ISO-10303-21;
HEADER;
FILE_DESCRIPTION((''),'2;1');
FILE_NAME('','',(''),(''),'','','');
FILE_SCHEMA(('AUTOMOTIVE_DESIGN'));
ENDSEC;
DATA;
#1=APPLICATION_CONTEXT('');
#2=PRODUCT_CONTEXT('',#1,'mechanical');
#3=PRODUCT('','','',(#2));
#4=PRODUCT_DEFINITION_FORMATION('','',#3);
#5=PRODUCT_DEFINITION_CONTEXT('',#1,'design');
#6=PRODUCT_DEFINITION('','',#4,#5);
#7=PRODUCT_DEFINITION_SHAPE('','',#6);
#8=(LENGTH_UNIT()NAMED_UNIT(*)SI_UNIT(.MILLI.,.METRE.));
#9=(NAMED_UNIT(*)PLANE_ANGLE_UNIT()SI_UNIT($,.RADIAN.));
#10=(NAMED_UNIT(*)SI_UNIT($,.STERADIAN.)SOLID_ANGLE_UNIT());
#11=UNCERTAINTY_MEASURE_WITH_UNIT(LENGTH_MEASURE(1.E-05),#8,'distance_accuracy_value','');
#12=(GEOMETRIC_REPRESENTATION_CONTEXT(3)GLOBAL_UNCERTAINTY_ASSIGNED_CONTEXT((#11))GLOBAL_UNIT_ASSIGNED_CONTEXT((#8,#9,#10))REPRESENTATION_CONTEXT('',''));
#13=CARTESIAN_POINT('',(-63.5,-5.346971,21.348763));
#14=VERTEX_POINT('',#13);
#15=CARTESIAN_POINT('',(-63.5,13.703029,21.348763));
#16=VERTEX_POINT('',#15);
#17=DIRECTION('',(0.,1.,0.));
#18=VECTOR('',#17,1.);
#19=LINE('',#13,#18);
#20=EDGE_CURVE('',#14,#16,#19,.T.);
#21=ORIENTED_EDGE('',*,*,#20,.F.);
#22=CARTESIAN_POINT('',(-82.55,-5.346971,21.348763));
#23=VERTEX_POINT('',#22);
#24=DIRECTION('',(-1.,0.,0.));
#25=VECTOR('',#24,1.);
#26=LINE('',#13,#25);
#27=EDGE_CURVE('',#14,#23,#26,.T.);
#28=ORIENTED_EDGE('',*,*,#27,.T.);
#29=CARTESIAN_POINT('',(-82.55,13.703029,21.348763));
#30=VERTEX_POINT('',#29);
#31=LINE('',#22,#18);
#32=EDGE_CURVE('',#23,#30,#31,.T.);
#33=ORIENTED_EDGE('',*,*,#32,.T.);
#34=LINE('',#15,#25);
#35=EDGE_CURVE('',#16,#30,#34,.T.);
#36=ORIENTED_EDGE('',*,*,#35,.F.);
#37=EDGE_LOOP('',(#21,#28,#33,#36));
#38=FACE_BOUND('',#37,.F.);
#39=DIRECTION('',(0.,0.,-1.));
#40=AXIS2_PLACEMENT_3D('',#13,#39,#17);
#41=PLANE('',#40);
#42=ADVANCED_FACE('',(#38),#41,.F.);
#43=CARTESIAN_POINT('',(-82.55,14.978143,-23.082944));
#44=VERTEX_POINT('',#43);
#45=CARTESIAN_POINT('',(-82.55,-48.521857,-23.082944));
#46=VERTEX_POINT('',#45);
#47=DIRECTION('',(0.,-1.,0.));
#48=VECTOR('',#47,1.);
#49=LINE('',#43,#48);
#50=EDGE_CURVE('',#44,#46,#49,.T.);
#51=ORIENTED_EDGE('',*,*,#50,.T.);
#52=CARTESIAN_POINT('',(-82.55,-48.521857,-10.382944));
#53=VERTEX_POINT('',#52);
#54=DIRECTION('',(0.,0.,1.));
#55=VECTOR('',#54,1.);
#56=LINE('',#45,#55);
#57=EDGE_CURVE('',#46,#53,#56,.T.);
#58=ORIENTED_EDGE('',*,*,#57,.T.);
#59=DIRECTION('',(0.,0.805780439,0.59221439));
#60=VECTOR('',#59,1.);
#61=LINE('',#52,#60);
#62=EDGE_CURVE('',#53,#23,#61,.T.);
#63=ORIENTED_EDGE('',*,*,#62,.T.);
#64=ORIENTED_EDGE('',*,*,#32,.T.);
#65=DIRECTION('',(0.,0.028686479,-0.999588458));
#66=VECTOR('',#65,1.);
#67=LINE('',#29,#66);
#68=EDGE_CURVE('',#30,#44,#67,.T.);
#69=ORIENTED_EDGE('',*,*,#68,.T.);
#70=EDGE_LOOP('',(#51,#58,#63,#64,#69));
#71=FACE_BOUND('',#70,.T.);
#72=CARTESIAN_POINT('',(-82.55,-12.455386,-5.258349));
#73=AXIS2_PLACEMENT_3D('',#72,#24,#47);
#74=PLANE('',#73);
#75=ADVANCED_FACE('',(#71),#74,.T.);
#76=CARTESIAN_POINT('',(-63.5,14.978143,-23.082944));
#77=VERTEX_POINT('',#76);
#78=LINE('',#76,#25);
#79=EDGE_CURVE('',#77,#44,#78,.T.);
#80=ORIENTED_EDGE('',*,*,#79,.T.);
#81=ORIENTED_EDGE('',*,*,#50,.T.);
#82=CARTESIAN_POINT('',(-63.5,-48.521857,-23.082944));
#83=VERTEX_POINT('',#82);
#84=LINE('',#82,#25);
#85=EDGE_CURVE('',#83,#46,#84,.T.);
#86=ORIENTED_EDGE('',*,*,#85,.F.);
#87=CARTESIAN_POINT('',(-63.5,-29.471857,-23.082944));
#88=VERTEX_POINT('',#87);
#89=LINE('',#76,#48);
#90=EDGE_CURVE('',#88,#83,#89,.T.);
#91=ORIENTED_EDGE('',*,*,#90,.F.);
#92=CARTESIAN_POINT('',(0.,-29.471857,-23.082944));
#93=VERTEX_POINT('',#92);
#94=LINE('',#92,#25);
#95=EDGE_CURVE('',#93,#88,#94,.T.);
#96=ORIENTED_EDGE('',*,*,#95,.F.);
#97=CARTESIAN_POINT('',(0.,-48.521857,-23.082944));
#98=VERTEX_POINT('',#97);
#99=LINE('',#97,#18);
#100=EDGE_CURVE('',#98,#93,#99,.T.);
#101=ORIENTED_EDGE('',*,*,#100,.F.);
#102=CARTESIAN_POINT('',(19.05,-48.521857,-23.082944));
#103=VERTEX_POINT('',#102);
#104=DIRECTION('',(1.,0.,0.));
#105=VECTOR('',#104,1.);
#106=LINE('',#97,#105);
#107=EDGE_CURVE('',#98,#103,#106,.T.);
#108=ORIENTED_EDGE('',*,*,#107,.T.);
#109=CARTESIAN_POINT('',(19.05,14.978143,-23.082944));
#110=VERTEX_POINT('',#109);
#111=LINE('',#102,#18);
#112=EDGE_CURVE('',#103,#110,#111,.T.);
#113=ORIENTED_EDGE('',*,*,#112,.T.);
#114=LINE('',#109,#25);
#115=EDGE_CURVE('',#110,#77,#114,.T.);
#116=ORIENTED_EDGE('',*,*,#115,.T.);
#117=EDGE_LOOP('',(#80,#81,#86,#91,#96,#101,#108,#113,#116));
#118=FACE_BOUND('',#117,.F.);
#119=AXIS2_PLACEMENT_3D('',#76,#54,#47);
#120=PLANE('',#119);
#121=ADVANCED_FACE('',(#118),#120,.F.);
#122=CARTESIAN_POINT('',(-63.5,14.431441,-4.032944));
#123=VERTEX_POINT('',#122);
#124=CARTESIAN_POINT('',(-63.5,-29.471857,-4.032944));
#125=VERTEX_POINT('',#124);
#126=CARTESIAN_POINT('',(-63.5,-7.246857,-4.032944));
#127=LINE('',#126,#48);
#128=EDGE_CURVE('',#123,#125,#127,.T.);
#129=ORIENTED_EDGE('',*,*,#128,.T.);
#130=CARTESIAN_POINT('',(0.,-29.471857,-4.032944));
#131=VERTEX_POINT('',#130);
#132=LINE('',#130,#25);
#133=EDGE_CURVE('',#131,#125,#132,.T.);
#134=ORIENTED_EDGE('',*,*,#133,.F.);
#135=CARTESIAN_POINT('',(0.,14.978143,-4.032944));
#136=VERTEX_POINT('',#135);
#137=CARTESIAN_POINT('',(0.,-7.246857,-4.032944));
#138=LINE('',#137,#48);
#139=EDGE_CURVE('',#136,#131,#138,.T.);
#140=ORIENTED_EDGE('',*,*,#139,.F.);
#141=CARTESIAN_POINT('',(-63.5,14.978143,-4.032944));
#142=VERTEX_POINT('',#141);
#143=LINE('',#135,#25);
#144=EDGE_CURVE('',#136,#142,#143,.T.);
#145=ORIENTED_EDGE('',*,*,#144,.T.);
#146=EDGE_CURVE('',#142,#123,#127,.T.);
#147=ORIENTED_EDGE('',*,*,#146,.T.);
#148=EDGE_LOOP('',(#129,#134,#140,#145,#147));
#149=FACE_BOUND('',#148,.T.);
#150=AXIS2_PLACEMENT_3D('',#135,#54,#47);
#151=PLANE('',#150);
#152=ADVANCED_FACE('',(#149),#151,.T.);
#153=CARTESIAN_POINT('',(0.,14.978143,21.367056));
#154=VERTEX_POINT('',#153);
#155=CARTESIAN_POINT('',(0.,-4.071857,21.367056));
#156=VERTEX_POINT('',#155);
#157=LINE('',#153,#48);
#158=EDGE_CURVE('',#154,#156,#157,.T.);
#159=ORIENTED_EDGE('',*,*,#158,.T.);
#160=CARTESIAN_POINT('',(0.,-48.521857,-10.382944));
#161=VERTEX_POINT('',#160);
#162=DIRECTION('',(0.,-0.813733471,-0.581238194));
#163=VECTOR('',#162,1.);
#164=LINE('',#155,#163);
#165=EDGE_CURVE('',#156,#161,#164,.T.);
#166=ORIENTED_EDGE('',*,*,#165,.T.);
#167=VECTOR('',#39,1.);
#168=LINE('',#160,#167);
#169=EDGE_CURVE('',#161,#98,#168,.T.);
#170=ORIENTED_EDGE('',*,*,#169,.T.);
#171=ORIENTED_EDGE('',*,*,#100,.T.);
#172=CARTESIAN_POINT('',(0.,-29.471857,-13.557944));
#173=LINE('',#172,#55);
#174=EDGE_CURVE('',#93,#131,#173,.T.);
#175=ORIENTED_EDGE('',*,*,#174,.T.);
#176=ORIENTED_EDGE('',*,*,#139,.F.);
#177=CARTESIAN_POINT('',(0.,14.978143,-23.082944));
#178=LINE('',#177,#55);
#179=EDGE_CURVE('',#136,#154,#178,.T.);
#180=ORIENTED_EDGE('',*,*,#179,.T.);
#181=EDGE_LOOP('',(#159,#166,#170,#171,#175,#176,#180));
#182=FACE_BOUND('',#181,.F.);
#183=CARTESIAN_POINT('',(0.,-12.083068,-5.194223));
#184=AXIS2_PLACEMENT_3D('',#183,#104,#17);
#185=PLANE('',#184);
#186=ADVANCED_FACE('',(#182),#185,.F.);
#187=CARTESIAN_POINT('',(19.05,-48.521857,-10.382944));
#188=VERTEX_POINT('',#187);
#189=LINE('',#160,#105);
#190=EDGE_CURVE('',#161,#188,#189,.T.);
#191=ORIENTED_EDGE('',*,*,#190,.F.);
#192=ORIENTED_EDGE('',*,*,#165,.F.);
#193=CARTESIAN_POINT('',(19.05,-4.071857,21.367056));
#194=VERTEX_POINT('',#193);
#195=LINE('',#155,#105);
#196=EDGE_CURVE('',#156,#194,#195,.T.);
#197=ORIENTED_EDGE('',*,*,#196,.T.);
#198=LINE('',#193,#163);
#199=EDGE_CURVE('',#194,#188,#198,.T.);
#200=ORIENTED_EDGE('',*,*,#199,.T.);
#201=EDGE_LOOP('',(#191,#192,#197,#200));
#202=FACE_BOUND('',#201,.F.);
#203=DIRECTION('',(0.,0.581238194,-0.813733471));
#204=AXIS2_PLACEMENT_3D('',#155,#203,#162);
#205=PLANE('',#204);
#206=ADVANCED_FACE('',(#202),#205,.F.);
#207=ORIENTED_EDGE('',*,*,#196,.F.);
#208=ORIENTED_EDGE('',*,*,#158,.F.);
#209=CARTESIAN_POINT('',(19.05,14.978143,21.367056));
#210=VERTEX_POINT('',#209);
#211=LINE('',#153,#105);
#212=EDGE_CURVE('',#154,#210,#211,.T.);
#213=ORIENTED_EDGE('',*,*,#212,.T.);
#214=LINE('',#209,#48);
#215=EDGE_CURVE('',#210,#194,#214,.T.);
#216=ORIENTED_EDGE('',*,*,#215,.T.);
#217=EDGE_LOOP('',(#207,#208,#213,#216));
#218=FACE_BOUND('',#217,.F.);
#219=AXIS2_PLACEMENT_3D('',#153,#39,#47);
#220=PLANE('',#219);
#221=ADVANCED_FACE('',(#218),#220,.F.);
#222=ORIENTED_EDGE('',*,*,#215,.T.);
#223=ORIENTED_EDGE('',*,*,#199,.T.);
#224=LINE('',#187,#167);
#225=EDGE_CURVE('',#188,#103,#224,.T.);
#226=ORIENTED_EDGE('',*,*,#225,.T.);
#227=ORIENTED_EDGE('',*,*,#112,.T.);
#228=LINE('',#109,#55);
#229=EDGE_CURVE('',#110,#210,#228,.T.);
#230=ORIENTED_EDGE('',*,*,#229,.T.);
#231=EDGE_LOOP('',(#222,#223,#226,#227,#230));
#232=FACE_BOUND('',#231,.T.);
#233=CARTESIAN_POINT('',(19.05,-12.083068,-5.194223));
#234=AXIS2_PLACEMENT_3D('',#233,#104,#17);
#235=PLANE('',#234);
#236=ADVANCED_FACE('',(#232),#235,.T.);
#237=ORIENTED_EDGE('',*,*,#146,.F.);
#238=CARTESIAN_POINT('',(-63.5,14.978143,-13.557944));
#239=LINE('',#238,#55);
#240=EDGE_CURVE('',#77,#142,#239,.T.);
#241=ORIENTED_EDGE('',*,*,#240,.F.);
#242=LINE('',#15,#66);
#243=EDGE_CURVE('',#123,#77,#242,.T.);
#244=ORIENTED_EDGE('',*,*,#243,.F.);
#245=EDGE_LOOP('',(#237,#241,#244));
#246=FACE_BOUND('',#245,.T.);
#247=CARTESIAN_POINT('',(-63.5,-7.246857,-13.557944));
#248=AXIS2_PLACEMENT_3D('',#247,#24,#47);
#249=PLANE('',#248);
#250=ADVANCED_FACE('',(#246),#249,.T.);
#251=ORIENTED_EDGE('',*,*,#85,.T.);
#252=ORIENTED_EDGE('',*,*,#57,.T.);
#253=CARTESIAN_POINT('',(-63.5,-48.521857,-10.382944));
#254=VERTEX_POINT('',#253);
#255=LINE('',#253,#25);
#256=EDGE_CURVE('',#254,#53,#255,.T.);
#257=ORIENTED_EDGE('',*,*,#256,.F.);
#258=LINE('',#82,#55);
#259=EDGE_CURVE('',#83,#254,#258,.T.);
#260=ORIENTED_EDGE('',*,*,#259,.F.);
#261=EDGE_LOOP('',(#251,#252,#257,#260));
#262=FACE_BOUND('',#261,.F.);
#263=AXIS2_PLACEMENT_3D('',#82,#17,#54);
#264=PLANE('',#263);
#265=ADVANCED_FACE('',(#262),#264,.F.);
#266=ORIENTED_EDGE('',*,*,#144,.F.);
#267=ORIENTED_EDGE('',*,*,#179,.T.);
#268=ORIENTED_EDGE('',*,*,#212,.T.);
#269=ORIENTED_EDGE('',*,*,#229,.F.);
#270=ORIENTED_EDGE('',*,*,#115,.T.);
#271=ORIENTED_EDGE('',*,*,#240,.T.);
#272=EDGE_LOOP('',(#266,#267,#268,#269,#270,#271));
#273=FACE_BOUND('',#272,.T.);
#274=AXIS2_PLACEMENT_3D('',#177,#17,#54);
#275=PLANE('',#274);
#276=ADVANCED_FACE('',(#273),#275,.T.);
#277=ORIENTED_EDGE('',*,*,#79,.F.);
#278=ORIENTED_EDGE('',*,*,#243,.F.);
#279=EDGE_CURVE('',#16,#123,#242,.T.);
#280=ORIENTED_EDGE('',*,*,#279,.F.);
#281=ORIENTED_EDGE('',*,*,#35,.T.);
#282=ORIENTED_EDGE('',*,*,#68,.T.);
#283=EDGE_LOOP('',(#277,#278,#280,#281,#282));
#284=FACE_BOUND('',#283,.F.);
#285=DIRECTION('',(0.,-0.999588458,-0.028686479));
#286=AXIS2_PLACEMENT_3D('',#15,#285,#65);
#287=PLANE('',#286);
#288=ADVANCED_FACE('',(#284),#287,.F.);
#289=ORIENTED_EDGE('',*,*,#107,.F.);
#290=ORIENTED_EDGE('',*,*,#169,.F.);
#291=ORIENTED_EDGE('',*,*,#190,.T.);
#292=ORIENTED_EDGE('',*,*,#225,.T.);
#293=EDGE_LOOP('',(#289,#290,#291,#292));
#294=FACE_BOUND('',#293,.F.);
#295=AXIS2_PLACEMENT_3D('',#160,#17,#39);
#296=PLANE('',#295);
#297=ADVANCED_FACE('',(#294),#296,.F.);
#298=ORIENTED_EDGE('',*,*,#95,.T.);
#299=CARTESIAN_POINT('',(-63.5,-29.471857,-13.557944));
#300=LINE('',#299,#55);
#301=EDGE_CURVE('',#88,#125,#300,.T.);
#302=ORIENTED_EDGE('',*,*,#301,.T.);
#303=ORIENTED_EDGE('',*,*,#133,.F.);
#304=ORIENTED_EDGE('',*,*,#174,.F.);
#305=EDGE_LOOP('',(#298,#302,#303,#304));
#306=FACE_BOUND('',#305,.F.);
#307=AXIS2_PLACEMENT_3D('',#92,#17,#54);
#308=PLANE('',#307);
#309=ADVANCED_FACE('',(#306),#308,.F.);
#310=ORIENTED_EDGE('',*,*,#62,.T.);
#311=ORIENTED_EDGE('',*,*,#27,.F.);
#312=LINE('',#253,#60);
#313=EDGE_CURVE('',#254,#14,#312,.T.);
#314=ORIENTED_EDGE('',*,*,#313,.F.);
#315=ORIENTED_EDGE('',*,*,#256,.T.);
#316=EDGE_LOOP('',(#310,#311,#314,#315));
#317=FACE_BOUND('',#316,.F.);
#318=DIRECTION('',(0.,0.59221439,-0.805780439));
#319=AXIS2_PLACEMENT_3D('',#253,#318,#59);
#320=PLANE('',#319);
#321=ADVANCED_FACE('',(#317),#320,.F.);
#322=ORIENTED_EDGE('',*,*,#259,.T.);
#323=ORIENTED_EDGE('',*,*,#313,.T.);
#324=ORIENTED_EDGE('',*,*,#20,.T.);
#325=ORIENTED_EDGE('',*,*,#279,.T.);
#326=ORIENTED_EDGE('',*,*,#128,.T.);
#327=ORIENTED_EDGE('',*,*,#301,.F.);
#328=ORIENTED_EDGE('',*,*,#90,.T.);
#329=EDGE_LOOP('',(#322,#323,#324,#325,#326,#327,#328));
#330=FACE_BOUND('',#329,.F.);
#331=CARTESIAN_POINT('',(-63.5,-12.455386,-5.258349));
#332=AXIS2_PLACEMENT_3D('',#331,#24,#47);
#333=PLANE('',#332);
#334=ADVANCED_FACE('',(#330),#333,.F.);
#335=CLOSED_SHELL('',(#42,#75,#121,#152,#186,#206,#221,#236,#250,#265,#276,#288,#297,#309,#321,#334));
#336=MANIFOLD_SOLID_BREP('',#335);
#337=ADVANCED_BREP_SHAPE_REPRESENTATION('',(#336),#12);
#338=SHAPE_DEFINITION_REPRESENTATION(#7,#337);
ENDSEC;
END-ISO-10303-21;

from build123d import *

# Parameters (mm, degrees)
F1_DEPTH = 19.05
F2_W     = 44.45
F2_H     = 19.05
F3_DEPTH = 63.5
F5_DEPTH = 19.05


with BuildPart() as f1:
    # F0 (on Right) → F1 (new body)
    with BuildSketch(Plane.YZ):
        Polygon((14.978143, 21.367056), (-4.071857, 21.367056), (-48.521857, -10.382944), (-48.521857, -23.082944), (14.978143, -23.082944), align=None)
    extrude(amount=F1_DEPTH)

    # F2 (on face) → F3 (join)
    with BuildSketch(Plane(origin=(0, 0, 0), x_dir=(0, -1, 0), z_dir=(-1, 0, 0))):
        with Locations((7.246857, -13.557944)):
            Rectangle(F2_W, F2_H)
    extrude(amount=F3_DEPTH)

    # F4 (on face) → F5 (join)
    with BuildSketch(Plane(origin=(-63.5, 0, 0), x_dir=(0, -1, 0), z_dir=(-1, 0, 0))):
        Polygon((-13.703029, 21.348763), (-14.978143, -23.082944), (48.521857, -23.082944), (48.521857, -10.382944), (5.346971, 21.348763), align=None)
    extrude(amount=F5_DEPTH)


solid = f1.part
